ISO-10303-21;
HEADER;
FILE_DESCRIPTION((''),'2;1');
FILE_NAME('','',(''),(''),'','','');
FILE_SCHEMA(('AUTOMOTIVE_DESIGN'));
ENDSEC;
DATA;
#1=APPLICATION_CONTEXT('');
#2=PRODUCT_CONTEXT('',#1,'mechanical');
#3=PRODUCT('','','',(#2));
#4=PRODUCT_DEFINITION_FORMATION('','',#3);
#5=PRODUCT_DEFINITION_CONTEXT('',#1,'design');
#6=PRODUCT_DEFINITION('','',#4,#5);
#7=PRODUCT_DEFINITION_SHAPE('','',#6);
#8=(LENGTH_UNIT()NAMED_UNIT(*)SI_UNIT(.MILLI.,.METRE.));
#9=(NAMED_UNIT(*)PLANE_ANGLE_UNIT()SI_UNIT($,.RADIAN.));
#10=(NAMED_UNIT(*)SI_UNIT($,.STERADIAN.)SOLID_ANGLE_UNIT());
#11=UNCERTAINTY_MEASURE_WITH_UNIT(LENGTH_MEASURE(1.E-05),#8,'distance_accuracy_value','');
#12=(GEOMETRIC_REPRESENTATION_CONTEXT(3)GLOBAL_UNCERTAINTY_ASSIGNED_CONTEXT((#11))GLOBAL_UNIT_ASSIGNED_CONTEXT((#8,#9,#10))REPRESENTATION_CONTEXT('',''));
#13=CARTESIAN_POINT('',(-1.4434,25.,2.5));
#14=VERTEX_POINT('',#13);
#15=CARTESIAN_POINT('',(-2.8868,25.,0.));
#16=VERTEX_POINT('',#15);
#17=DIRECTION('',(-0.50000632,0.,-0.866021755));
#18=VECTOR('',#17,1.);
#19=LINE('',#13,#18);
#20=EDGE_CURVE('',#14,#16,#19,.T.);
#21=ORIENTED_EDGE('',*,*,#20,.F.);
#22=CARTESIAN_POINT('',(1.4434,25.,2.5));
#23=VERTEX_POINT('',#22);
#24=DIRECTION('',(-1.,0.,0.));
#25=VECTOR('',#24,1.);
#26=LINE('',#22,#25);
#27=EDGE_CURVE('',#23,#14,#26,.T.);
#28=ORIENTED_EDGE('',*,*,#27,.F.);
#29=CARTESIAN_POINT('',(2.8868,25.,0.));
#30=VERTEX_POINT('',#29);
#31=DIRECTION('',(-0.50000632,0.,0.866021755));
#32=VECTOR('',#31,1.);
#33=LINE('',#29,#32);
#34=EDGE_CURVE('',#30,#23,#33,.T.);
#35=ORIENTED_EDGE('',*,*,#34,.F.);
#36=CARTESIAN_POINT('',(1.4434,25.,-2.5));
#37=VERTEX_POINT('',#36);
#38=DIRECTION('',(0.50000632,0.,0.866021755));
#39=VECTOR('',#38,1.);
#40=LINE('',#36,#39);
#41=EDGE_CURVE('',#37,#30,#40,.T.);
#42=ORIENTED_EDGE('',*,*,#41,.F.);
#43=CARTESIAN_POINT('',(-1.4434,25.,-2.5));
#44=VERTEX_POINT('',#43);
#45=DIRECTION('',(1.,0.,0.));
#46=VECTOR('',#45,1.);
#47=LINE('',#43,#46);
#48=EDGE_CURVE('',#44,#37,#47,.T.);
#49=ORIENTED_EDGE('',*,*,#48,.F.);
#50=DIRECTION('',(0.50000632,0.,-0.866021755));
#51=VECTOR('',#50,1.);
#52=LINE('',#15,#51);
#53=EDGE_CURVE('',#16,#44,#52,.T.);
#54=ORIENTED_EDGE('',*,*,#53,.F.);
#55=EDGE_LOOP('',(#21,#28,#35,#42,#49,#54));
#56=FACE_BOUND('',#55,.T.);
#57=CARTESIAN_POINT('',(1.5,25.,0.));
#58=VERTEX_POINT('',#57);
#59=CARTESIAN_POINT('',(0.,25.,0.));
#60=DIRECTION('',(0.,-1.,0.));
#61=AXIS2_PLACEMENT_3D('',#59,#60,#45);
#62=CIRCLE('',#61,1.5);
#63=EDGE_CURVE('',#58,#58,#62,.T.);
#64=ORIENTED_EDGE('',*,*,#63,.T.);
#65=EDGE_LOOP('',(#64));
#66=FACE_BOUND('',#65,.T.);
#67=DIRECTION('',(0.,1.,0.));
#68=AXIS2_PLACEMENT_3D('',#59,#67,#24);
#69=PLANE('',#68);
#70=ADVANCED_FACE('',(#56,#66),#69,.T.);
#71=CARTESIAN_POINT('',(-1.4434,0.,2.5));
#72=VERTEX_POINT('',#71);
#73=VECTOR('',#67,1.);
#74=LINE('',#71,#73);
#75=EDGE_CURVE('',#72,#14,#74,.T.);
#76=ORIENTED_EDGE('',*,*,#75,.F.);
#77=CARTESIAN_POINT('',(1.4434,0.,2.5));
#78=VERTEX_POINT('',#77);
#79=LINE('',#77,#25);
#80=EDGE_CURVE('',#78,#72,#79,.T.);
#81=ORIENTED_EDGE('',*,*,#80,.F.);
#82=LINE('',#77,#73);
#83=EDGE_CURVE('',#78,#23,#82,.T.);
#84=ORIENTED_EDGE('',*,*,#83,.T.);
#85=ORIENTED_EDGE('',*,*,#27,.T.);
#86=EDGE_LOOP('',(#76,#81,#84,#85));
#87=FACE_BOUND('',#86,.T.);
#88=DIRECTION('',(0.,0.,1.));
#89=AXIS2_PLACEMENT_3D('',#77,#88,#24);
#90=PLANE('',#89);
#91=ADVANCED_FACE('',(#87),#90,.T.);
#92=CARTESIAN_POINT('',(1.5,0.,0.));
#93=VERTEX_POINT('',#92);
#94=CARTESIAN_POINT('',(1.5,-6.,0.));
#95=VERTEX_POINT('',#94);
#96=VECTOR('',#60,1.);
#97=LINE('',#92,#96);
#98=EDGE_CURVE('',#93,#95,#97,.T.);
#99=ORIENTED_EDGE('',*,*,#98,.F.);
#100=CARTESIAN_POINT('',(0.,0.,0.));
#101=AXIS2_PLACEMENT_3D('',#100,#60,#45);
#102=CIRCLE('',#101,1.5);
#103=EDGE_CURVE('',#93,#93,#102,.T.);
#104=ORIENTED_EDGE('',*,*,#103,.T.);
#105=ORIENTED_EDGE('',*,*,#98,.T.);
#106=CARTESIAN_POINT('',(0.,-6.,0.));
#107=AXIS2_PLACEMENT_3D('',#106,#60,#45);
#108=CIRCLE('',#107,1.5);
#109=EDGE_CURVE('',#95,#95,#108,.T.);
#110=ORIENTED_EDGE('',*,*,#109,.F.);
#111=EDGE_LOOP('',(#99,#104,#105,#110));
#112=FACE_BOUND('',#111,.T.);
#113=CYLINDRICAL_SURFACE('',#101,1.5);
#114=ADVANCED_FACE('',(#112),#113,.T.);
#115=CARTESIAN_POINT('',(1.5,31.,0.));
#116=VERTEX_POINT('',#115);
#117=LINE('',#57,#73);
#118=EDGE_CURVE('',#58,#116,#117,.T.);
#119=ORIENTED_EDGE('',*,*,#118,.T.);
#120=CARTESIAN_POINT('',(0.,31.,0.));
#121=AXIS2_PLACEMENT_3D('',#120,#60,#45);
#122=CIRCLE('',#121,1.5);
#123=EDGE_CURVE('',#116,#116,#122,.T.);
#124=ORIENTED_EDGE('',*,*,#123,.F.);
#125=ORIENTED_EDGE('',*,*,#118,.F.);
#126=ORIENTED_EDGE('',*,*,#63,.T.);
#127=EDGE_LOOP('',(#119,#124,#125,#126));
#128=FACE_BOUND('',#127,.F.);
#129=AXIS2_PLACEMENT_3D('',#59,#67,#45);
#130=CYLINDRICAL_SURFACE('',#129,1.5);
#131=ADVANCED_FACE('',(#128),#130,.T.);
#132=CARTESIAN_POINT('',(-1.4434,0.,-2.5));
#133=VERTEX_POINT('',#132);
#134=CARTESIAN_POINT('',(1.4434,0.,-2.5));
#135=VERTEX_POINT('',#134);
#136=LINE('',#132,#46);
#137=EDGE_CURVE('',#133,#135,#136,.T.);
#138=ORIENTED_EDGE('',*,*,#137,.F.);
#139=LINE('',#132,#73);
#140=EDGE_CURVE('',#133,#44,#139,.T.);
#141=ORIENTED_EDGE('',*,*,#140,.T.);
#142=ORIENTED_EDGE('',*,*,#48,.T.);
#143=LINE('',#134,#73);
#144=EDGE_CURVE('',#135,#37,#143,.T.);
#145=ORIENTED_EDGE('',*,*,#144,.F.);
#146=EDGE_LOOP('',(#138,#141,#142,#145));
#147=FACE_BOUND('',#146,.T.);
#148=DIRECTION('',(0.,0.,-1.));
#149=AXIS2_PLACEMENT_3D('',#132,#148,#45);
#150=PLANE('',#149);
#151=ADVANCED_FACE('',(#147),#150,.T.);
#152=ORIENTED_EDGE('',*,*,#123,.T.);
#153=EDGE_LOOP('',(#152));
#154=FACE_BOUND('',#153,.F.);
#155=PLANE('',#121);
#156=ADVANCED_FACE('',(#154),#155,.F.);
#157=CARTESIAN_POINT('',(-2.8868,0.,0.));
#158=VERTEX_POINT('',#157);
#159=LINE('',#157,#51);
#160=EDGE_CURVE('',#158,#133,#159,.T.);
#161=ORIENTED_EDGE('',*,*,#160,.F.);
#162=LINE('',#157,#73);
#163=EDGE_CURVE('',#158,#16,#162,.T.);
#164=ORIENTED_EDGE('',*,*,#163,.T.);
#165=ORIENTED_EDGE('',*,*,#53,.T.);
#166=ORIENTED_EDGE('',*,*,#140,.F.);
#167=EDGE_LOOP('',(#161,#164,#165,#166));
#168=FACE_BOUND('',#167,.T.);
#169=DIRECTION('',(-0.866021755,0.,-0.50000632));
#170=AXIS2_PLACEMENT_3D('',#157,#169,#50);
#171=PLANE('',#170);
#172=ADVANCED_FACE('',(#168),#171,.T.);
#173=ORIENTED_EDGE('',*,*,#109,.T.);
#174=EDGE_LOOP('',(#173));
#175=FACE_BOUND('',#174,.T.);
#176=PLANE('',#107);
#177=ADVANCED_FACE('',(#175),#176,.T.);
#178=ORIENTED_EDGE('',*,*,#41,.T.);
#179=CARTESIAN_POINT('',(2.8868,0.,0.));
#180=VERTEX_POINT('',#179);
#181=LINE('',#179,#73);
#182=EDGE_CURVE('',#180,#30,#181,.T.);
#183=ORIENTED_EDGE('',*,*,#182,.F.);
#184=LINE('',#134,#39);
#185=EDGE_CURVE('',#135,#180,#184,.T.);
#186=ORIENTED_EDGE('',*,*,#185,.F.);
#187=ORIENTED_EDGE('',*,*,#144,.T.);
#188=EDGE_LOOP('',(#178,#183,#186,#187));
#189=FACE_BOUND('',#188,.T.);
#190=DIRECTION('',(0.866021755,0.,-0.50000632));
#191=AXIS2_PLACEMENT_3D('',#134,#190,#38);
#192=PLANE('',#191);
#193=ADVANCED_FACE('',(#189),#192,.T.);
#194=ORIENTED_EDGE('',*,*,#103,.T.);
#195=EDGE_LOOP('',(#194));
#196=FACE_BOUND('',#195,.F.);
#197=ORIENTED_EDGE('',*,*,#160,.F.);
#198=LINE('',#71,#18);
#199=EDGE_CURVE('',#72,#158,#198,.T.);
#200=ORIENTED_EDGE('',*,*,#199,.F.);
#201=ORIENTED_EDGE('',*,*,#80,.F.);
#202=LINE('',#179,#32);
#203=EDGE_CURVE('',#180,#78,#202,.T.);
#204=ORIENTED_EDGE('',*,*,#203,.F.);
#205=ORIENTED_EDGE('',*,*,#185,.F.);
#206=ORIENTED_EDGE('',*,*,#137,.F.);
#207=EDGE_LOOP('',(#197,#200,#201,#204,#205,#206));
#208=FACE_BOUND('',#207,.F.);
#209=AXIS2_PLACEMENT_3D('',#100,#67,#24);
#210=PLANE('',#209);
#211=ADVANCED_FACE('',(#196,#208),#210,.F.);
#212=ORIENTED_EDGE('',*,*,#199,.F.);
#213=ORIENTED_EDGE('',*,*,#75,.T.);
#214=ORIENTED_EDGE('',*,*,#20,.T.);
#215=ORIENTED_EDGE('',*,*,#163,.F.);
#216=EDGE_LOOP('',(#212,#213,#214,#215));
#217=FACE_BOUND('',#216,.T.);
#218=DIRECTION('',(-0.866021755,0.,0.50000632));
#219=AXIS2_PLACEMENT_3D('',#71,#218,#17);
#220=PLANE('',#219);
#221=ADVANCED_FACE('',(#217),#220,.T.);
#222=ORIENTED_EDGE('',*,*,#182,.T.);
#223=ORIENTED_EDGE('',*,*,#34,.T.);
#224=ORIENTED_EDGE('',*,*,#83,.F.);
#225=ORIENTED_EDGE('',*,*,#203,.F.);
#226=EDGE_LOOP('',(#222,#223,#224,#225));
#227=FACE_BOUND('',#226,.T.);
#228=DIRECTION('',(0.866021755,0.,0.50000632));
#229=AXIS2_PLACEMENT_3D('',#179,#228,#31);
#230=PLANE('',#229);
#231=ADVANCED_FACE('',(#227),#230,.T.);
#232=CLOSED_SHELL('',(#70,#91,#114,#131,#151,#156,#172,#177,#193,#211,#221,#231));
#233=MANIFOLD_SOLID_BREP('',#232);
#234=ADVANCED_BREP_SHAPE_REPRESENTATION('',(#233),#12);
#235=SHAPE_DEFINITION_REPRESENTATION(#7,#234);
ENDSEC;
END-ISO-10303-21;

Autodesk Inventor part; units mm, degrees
ref_plane "YZ Plane" through (0, 0, 0) normal (1, 0, 0) x (0, 1, 0)
ref_plane "XZ Plane" through (0, 0, 0) normal (0, 1, 0) x (-1, 0, 0)
ref_plane "XY Plane" through (0, 0, 0) normal (0, 0, 1) x (1, 0, 0)
sketch "草圖2" plane through (0, 0, 0) normal (0, 1, 0) x (-1, 0, 0)
  line L0 (-2.8868, 0) -> (-1.4434, 2.5)
  line L1 (-1.4434, 2.5) -> (1.4434, 2.5)
  line L2 (1.4434, 2.5) -> (2.8868, 0)
  line L3 (2.8868, 0) -> (1.4434, -2.5)
  line L4 (1.4434, -2.5) -> (-1.4434, -2.5)
  line L5 (-1.4434, -2.5) -> (-2.8868, 0)
  point P0 (0, 0)
  point P1 (0, 0)
  dimension "d2" = 5
extrude "擠出1" add sketch "草圖2" along normal blind 25
sketch "草圖3" plane through (0, 0, 0) normal (0, 0, 1) x (1, 0, 0)
  line L0 (1.4434, 25) -> (-1.4434, 25) projected
  line L1 (0, 25) -> (1.5, 25)
  line L2 (1.5, 25) -> (1.5, 31)
  line L3 (1.5, 31) -> (0, 31)
  line L4 (0, 31) -> (0, 25)
  line L5 (0, 17.268) -> (0, -3.3114)
  line L6 (0, 0) -> (1.5, 0)
  line L7 (1.5, 0) -> (1.5, -6)
  line L8 (1.5, -6) -> (0, -6)
  line L9 (0, -6) -> (0, 0)
  point P0 (0.75, 31)
  dimension "d5" = 3
  dimension "d6" = 6
  dimension "d8" = 6
revolve "迴轉1" add sketch "草圖3" angle 360 about axis through (0, 17.268, 0) along (0, -1, 0)
properties part number "copper_pillar_M3_L25" material "Copper"
